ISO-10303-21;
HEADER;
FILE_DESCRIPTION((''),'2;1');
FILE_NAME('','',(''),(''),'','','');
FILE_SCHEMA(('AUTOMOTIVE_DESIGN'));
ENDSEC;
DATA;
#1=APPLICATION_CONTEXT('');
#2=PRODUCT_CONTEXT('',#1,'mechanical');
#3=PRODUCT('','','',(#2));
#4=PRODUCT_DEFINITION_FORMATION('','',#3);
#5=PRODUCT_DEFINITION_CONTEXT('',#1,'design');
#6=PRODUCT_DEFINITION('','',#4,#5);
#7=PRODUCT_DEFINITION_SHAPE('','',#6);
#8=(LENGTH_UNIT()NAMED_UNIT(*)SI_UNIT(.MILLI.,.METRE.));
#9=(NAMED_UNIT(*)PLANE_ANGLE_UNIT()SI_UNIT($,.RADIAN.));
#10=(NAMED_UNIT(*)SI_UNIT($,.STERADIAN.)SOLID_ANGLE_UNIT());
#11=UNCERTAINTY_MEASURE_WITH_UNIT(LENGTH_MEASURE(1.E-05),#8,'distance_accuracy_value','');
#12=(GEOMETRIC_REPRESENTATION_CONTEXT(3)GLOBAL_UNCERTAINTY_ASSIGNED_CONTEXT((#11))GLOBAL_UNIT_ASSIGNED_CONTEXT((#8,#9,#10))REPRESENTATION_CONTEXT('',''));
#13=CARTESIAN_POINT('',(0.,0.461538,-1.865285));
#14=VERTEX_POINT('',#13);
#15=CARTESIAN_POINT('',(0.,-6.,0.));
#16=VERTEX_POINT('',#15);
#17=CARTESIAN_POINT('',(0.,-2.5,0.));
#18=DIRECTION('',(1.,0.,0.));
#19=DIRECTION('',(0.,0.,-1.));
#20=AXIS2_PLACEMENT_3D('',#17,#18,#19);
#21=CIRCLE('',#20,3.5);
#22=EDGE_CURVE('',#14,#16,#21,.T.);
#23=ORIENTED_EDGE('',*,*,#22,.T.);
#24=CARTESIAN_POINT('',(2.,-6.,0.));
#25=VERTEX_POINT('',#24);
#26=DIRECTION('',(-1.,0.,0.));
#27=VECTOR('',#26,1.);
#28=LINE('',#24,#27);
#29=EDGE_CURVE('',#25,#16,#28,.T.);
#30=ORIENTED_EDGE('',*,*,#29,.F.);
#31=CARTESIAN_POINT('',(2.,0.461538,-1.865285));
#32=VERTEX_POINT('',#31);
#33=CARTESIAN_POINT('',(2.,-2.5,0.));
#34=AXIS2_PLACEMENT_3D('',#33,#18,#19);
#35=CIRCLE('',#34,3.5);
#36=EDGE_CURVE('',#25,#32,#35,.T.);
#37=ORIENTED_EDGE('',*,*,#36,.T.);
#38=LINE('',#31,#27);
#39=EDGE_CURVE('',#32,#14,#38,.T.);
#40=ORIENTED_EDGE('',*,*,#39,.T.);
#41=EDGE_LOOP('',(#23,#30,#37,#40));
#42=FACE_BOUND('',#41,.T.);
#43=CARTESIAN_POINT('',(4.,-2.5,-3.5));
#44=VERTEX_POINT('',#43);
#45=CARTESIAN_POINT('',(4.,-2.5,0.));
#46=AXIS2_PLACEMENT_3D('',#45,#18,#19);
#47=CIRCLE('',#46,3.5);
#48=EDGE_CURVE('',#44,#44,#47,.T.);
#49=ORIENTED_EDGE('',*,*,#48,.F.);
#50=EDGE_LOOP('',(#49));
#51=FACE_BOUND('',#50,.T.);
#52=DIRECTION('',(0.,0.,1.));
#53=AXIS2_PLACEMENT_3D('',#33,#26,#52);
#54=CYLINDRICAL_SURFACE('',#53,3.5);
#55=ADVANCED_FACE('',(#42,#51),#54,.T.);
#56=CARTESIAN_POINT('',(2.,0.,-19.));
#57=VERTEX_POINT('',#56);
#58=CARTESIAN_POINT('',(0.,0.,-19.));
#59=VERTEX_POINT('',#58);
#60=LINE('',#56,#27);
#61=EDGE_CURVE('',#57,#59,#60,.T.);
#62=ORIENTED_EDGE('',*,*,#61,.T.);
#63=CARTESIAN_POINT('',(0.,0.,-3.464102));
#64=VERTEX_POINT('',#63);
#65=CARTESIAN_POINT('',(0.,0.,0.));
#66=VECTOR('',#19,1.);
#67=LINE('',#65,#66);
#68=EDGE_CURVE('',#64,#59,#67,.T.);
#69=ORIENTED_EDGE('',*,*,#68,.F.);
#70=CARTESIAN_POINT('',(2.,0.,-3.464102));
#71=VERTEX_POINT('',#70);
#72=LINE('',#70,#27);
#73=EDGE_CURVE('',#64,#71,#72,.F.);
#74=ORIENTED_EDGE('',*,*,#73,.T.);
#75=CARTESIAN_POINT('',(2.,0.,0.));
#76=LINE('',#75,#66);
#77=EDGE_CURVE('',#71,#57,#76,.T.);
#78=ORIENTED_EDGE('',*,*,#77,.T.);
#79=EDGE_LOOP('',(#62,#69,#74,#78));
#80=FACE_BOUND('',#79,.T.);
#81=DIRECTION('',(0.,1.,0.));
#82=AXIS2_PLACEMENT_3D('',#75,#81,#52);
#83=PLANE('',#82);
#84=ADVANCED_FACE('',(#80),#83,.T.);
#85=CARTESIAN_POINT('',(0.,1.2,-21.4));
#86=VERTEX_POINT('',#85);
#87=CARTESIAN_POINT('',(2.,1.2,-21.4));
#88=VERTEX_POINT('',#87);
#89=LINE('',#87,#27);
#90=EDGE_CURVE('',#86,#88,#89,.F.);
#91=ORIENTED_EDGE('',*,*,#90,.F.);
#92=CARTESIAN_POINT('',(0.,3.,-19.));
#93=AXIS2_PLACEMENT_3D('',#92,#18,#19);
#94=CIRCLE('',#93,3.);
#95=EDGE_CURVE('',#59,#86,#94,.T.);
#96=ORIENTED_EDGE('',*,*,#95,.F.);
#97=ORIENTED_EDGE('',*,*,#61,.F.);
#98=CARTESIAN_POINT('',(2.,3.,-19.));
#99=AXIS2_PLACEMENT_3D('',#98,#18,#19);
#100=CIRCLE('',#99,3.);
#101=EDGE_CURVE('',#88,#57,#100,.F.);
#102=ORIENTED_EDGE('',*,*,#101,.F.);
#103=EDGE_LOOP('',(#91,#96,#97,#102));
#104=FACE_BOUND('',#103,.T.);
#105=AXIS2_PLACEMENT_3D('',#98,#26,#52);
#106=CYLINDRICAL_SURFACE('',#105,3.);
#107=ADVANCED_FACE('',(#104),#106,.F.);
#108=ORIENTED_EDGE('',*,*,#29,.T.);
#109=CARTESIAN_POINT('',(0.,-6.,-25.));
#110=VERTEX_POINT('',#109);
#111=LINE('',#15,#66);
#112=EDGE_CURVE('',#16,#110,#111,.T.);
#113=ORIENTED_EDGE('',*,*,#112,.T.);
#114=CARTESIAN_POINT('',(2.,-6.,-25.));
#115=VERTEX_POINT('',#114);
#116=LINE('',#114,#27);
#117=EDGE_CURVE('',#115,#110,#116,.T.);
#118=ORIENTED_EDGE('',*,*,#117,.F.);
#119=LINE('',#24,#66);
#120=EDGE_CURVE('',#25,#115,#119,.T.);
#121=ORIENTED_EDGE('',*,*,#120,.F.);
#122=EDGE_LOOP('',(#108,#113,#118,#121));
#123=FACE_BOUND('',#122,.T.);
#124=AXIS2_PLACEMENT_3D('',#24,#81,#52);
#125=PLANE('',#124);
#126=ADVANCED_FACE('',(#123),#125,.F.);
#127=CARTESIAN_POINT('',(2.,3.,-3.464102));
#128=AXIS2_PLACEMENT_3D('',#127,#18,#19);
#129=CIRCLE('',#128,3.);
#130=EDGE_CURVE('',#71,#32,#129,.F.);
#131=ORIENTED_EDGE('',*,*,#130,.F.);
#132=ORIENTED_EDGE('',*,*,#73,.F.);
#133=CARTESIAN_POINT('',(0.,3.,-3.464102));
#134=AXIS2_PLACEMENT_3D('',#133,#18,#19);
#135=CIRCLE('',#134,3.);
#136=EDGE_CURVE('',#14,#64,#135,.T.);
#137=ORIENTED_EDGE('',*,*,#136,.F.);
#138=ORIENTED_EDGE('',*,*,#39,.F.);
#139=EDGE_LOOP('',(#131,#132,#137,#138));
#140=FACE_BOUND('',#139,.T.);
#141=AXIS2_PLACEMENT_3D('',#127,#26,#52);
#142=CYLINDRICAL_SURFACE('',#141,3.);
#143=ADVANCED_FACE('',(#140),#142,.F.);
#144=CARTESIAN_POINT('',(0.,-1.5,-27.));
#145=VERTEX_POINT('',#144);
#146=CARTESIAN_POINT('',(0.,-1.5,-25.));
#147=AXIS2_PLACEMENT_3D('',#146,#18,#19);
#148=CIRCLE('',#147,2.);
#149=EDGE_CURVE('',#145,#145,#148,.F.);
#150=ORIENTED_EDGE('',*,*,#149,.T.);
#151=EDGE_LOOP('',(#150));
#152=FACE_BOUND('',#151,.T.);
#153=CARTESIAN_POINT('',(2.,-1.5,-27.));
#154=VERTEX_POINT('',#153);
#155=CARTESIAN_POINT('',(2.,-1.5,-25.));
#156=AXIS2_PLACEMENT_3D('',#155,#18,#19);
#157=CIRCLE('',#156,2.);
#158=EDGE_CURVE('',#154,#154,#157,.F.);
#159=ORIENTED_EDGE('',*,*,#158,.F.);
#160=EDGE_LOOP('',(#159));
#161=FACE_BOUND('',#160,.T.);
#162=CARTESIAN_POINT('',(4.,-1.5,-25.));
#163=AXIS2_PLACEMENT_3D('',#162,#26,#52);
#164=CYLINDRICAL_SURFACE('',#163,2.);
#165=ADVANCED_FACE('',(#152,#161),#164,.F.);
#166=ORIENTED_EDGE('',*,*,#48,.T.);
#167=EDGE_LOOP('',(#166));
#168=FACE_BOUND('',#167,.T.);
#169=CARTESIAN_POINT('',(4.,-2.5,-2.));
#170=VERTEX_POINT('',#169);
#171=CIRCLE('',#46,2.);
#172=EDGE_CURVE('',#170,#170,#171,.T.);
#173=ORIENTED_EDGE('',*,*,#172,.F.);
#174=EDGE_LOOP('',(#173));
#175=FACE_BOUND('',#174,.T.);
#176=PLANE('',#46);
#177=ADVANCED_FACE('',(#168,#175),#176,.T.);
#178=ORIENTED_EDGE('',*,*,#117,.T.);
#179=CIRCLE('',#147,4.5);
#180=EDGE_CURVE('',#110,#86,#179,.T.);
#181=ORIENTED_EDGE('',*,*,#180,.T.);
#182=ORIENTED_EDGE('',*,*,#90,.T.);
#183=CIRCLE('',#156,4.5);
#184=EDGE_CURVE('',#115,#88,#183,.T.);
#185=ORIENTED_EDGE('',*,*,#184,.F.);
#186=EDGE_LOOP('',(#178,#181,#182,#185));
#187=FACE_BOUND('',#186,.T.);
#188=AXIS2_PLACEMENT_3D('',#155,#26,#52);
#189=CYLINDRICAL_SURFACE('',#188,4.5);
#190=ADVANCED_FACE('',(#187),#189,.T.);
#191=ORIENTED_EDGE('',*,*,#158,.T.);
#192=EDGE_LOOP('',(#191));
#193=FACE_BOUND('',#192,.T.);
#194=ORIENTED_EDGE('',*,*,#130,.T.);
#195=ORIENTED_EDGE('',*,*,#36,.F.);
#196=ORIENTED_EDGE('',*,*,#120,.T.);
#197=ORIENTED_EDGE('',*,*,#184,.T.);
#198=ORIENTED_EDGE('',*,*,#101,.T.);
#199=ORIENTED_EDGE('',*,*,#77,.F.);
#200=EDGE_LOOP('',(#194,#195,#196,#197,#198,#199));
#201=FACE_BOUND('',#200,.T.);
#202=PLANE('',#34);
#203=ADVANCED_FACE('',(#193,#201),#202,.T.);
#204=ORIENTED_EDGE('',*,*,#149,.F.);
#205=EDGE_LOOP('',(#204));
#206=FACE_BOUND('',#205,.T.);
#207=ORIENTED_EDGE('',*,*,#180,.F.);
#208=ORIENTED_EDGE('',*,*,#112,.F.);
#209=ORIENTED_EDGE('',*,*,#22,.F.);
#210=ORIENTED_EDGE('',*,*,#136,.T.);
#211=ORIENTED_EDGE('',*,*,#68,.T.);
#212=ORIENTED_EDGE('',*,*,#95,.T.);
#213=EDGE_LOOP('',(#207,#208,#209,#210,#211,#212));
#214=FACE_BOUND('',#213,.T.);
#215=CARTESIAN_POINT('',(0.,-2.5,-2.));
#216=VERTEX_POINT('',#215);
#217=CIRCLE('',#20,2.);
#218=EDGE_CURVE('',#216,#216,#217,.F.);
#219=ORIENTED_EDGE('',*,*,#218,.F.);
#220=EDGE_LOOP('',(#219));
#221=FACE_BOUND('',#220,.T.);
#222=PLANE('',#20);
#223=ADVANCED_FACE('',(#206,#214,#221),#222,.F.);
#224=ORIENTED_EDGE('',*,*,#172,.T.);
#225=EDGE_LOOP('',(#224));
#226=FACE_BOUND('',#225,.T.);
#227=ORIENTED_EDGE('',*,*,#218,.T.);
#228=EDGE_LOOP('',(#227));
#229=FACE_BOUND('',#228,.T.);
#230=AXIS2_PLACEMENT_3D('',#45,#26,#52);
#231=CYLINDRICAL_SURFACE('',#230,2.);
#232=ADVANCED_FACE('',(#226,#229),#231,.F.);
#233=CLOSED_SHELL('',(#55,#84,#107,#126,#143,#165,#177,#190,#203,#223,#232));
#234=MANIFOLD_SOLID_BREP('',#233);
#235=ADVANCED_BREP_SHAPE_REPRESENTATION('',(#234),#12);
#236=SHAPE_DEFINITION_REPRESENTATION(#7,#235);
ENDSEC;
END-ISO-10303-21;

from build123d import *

# Parameters (mm, degrees)
SKETCH_1_R               = 3.5
SKETCH_1_R_2             = 4.5
SKETCH_1_W               = 25
SKETCH_1_H               = 6
EXTRUDE_1_DEPTH          = 2
EXTRUDE_START            = 2
SKETCH_1_5_R             = 3.5
EXTRUDE_3_DEPTH          = 2
CUT_EXTRUDE_2_DEPTH      = 31.368569278
CUT_EXTRUDE_2_DEPTH_BACK = 31.368569278
SKETCH_1_4_R             = 2
FILLET_1_R               = 3


with BuildPart() as part:
    # 草图1 → 凸台-拉伸1 (new body)
    with BuildSketch(Plane(origin=(0, 0, 0), x_dir=(0, 0, -1), z_dir=(1, 0, 0))):
        with Locations((0, -2.5)):
            Circle(SKETCH_1_R)
        with Locations((25, -1.5)):
            Circle(SKETCH_1_R_2)
        with Locations((12.5, -3)):
            Rectangle(SKETCH_1_W, SKETCH_1_H)
    extrude(amount=EXTRUDE_1_DEPTH)

    # 草图1<5> → 凸台-拉伸3 (add)
    with BuildSketch(Plane(origin=(0, 0, 0), x_dir=(0, 0, -1), z_dir=(1, 0, 0)).offset(EXTRUDE_START)):
        with Locations(Location((0, -2.5, 0), (0, 0, 270))):
            Circle(SKETCH_1_5_R)
    extrude(amount=EXTRUDE_3_DEPTH)

    # 草图1<4> → 切除-拉伸2 (cut, two sides: drawn at the far end of the back side and taken through both)
    with BuildSketch(Plane(origin=(0, 0, 0), x_dir=(0, 0, -1), z_dir=(1, 0, 0)).offset(-CUT_EXTRUDE_2_DEPTH_BACK)):
        with Locations((0, -2.5)):
            Circle(SKETCH_1_4_R)
        with Locations((25, -1.5)):
            Circle(SKETCH_1_4_R)
    extrude(amount=CUT_EXTRUDE_2_DEPTH + CUT_EXTRUDE_2_DEPTH_BACK, mode=Mode.SUBTRACT)

    # 圆角1
    fillet_1_edges = [part.edges().sort_by_distance(p)[0] for p in [
        (1, 0, -20.757359313),
        (1, 0, -2.449489743),
    ]]
    fillet(fillet_1_edges, radius=FILLET_1_R)


solid = part.part
